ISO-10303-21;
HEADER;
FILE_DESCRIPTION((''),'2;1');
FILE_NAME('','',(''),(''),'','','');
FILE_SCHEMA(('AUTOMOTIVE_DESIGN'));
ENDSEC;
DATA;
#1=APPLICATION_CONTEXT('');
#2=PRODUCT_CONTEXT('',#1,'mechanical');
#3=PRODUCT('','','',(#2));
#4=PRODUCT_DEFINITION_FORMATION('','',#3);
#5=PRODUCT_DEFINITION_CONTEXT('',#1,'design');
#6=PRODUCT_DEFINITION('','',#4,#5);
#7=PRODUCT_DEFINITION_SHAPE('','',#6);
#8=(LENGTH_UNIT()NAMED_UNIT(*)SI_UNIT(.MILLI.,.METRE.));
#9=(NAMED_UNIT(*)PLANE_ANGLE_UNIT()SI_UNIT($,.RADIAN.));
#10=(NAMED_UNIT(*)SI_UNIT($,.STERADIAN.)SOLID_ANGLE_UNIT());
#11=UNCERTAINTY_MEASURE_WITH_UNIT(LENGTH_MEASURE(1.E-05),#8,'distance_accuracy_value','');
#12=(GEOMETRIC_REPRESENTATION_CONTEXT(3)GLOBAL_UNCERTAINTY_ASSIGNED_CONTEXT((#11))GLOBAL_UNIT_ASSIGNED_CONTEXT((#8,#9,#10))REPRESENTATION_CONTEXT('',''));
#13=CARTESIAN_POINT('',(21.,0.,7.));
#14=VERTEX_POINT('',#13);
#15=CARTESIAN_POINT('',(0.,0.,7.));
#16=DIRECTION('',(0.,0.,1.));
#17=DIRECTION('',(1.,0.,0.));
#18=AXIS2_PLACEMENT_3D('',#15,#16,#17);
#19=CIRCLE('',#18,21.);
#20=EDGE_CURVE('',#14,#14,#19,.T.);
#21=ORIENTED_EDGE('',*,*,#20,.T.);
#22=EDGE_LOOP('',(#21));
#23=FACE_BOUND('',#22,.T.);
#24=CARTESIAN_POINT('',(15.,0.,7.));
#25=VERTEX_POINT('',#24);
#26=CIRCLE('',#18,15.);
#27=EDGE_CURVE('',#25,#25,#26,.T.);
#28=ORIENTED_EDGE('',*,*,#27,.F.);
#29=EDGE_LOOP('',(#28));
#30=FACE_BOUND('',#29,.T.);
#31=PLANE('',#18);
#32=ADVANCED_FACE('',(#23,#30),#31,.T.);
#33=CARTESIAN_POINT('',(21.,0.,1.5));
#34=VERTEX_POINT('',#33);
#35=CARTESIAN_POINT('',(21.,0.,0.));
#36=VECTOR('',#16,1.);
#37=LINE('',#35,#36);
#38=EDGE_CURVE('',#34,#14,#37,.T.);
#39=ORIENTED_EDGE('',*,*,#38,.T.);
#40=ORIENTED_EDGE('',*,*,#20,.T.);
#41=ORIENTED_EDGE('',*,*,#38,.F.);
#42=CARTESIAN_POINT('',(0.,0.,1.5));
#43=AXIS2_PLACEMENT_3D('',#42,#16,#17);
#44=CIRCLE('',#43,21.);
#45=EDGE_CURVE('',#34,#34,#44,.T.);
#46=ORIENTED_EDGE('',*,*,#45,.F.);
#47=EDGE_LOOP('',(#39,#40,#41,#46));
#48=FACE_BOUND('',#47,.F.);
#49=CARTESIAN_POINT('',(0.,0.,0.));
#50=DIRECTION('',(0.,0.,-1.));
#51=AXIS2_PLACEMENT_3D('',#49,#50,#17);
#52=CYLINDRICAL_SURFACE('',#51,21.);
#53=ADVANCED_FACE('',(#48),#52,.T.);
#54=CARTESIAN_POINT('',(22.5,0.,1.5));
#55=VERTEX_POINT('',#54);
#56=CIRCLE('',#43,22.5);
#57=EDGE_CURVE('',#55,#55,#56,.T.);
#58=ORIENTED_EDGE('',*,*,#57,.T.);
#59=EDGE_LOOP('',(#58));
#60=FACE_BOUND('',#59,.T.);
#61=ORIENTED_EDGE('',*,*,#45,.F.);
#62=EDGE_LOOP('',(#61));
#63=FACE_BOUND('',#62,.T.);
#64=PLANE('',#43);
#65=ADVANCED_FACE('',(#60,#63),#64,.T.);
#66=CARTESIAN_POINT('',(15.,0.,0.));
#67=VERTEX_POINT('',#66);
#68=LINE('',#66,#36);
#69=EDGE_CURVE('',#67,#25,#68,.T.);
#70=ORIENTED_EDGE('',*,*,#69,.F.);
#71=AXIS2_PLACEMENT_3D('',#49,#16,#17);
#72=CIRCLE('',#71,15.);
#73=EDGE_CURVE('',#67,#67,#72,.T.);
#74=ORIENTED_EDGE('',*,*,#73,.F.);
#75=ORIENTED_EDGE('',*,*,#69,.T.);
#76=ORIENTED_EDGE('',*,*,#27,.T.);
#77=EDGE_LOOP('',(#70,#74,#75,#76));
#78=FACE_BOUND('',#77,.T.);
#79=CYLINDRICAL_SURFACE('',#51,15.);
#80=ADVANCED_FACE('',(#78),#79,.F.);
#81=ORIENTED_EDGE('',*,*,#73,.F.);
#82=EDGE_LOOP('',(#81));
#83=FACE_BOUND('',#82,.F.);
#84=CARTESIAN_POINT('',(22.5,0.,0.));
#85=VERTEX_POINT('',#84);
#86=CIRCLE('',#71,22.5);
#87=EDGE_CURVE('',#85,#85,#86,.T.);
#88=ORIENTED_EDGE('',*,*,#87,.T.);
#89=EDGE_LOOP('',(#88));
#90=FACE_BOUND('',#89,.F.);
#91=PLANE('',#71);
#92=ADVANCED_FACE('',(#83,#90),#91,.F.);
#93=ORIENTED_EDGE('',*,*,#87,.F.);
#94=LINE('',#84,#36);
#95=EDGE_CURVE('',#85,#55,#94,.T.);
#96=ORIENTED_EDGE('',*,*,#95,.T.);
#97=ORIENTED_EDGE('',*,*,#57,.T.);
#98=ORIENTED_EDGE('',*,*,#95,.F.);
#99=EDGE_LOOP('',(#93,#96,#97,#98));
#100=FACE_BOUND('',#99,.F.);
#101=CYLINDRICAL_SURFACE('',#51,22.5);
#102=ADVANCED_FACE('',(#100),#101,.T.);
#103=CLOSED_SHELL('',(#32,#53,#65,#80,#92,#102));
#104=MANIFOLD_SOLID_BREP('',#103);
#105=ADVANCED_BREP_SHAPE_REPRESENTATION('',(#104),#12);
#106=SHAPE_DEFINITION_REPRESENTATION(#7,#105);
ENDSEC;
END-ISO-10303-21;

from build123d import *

# Parameters (mm, degrees)
SKETCH_1_R      = 21
SKETCH_1_R_2    = 15
EXTRUDE_1_DEPTH = 7
SKETCH_2_R      = 22.5
SKETCH_2_R_2    = 21
EXTRUDE_2_DEPTH = 1.5


with BuildPart() as part:
    # 草图1 → 凸台-拉伸1 (new body)
    with BuildSketch(Plane.XY):
        Circle(SKETCH_1_R)
        Circle(SKETCH_1_R_2, mode=Mode.SUBTRACT)
    extrude(amount=EXTRUDE_1_DEPTH)

    # 草图2 → 凸台-拉伸2 (add)
    with BuildSketch(Plane.XY):
        Circle(SKETCH_2_R)
        Circle(SKETCH_2_R_2, mode=Mode.SUBTRACT)
    extrude(amount=EXTRUDE_2_DEPTH)


solid = part.part
